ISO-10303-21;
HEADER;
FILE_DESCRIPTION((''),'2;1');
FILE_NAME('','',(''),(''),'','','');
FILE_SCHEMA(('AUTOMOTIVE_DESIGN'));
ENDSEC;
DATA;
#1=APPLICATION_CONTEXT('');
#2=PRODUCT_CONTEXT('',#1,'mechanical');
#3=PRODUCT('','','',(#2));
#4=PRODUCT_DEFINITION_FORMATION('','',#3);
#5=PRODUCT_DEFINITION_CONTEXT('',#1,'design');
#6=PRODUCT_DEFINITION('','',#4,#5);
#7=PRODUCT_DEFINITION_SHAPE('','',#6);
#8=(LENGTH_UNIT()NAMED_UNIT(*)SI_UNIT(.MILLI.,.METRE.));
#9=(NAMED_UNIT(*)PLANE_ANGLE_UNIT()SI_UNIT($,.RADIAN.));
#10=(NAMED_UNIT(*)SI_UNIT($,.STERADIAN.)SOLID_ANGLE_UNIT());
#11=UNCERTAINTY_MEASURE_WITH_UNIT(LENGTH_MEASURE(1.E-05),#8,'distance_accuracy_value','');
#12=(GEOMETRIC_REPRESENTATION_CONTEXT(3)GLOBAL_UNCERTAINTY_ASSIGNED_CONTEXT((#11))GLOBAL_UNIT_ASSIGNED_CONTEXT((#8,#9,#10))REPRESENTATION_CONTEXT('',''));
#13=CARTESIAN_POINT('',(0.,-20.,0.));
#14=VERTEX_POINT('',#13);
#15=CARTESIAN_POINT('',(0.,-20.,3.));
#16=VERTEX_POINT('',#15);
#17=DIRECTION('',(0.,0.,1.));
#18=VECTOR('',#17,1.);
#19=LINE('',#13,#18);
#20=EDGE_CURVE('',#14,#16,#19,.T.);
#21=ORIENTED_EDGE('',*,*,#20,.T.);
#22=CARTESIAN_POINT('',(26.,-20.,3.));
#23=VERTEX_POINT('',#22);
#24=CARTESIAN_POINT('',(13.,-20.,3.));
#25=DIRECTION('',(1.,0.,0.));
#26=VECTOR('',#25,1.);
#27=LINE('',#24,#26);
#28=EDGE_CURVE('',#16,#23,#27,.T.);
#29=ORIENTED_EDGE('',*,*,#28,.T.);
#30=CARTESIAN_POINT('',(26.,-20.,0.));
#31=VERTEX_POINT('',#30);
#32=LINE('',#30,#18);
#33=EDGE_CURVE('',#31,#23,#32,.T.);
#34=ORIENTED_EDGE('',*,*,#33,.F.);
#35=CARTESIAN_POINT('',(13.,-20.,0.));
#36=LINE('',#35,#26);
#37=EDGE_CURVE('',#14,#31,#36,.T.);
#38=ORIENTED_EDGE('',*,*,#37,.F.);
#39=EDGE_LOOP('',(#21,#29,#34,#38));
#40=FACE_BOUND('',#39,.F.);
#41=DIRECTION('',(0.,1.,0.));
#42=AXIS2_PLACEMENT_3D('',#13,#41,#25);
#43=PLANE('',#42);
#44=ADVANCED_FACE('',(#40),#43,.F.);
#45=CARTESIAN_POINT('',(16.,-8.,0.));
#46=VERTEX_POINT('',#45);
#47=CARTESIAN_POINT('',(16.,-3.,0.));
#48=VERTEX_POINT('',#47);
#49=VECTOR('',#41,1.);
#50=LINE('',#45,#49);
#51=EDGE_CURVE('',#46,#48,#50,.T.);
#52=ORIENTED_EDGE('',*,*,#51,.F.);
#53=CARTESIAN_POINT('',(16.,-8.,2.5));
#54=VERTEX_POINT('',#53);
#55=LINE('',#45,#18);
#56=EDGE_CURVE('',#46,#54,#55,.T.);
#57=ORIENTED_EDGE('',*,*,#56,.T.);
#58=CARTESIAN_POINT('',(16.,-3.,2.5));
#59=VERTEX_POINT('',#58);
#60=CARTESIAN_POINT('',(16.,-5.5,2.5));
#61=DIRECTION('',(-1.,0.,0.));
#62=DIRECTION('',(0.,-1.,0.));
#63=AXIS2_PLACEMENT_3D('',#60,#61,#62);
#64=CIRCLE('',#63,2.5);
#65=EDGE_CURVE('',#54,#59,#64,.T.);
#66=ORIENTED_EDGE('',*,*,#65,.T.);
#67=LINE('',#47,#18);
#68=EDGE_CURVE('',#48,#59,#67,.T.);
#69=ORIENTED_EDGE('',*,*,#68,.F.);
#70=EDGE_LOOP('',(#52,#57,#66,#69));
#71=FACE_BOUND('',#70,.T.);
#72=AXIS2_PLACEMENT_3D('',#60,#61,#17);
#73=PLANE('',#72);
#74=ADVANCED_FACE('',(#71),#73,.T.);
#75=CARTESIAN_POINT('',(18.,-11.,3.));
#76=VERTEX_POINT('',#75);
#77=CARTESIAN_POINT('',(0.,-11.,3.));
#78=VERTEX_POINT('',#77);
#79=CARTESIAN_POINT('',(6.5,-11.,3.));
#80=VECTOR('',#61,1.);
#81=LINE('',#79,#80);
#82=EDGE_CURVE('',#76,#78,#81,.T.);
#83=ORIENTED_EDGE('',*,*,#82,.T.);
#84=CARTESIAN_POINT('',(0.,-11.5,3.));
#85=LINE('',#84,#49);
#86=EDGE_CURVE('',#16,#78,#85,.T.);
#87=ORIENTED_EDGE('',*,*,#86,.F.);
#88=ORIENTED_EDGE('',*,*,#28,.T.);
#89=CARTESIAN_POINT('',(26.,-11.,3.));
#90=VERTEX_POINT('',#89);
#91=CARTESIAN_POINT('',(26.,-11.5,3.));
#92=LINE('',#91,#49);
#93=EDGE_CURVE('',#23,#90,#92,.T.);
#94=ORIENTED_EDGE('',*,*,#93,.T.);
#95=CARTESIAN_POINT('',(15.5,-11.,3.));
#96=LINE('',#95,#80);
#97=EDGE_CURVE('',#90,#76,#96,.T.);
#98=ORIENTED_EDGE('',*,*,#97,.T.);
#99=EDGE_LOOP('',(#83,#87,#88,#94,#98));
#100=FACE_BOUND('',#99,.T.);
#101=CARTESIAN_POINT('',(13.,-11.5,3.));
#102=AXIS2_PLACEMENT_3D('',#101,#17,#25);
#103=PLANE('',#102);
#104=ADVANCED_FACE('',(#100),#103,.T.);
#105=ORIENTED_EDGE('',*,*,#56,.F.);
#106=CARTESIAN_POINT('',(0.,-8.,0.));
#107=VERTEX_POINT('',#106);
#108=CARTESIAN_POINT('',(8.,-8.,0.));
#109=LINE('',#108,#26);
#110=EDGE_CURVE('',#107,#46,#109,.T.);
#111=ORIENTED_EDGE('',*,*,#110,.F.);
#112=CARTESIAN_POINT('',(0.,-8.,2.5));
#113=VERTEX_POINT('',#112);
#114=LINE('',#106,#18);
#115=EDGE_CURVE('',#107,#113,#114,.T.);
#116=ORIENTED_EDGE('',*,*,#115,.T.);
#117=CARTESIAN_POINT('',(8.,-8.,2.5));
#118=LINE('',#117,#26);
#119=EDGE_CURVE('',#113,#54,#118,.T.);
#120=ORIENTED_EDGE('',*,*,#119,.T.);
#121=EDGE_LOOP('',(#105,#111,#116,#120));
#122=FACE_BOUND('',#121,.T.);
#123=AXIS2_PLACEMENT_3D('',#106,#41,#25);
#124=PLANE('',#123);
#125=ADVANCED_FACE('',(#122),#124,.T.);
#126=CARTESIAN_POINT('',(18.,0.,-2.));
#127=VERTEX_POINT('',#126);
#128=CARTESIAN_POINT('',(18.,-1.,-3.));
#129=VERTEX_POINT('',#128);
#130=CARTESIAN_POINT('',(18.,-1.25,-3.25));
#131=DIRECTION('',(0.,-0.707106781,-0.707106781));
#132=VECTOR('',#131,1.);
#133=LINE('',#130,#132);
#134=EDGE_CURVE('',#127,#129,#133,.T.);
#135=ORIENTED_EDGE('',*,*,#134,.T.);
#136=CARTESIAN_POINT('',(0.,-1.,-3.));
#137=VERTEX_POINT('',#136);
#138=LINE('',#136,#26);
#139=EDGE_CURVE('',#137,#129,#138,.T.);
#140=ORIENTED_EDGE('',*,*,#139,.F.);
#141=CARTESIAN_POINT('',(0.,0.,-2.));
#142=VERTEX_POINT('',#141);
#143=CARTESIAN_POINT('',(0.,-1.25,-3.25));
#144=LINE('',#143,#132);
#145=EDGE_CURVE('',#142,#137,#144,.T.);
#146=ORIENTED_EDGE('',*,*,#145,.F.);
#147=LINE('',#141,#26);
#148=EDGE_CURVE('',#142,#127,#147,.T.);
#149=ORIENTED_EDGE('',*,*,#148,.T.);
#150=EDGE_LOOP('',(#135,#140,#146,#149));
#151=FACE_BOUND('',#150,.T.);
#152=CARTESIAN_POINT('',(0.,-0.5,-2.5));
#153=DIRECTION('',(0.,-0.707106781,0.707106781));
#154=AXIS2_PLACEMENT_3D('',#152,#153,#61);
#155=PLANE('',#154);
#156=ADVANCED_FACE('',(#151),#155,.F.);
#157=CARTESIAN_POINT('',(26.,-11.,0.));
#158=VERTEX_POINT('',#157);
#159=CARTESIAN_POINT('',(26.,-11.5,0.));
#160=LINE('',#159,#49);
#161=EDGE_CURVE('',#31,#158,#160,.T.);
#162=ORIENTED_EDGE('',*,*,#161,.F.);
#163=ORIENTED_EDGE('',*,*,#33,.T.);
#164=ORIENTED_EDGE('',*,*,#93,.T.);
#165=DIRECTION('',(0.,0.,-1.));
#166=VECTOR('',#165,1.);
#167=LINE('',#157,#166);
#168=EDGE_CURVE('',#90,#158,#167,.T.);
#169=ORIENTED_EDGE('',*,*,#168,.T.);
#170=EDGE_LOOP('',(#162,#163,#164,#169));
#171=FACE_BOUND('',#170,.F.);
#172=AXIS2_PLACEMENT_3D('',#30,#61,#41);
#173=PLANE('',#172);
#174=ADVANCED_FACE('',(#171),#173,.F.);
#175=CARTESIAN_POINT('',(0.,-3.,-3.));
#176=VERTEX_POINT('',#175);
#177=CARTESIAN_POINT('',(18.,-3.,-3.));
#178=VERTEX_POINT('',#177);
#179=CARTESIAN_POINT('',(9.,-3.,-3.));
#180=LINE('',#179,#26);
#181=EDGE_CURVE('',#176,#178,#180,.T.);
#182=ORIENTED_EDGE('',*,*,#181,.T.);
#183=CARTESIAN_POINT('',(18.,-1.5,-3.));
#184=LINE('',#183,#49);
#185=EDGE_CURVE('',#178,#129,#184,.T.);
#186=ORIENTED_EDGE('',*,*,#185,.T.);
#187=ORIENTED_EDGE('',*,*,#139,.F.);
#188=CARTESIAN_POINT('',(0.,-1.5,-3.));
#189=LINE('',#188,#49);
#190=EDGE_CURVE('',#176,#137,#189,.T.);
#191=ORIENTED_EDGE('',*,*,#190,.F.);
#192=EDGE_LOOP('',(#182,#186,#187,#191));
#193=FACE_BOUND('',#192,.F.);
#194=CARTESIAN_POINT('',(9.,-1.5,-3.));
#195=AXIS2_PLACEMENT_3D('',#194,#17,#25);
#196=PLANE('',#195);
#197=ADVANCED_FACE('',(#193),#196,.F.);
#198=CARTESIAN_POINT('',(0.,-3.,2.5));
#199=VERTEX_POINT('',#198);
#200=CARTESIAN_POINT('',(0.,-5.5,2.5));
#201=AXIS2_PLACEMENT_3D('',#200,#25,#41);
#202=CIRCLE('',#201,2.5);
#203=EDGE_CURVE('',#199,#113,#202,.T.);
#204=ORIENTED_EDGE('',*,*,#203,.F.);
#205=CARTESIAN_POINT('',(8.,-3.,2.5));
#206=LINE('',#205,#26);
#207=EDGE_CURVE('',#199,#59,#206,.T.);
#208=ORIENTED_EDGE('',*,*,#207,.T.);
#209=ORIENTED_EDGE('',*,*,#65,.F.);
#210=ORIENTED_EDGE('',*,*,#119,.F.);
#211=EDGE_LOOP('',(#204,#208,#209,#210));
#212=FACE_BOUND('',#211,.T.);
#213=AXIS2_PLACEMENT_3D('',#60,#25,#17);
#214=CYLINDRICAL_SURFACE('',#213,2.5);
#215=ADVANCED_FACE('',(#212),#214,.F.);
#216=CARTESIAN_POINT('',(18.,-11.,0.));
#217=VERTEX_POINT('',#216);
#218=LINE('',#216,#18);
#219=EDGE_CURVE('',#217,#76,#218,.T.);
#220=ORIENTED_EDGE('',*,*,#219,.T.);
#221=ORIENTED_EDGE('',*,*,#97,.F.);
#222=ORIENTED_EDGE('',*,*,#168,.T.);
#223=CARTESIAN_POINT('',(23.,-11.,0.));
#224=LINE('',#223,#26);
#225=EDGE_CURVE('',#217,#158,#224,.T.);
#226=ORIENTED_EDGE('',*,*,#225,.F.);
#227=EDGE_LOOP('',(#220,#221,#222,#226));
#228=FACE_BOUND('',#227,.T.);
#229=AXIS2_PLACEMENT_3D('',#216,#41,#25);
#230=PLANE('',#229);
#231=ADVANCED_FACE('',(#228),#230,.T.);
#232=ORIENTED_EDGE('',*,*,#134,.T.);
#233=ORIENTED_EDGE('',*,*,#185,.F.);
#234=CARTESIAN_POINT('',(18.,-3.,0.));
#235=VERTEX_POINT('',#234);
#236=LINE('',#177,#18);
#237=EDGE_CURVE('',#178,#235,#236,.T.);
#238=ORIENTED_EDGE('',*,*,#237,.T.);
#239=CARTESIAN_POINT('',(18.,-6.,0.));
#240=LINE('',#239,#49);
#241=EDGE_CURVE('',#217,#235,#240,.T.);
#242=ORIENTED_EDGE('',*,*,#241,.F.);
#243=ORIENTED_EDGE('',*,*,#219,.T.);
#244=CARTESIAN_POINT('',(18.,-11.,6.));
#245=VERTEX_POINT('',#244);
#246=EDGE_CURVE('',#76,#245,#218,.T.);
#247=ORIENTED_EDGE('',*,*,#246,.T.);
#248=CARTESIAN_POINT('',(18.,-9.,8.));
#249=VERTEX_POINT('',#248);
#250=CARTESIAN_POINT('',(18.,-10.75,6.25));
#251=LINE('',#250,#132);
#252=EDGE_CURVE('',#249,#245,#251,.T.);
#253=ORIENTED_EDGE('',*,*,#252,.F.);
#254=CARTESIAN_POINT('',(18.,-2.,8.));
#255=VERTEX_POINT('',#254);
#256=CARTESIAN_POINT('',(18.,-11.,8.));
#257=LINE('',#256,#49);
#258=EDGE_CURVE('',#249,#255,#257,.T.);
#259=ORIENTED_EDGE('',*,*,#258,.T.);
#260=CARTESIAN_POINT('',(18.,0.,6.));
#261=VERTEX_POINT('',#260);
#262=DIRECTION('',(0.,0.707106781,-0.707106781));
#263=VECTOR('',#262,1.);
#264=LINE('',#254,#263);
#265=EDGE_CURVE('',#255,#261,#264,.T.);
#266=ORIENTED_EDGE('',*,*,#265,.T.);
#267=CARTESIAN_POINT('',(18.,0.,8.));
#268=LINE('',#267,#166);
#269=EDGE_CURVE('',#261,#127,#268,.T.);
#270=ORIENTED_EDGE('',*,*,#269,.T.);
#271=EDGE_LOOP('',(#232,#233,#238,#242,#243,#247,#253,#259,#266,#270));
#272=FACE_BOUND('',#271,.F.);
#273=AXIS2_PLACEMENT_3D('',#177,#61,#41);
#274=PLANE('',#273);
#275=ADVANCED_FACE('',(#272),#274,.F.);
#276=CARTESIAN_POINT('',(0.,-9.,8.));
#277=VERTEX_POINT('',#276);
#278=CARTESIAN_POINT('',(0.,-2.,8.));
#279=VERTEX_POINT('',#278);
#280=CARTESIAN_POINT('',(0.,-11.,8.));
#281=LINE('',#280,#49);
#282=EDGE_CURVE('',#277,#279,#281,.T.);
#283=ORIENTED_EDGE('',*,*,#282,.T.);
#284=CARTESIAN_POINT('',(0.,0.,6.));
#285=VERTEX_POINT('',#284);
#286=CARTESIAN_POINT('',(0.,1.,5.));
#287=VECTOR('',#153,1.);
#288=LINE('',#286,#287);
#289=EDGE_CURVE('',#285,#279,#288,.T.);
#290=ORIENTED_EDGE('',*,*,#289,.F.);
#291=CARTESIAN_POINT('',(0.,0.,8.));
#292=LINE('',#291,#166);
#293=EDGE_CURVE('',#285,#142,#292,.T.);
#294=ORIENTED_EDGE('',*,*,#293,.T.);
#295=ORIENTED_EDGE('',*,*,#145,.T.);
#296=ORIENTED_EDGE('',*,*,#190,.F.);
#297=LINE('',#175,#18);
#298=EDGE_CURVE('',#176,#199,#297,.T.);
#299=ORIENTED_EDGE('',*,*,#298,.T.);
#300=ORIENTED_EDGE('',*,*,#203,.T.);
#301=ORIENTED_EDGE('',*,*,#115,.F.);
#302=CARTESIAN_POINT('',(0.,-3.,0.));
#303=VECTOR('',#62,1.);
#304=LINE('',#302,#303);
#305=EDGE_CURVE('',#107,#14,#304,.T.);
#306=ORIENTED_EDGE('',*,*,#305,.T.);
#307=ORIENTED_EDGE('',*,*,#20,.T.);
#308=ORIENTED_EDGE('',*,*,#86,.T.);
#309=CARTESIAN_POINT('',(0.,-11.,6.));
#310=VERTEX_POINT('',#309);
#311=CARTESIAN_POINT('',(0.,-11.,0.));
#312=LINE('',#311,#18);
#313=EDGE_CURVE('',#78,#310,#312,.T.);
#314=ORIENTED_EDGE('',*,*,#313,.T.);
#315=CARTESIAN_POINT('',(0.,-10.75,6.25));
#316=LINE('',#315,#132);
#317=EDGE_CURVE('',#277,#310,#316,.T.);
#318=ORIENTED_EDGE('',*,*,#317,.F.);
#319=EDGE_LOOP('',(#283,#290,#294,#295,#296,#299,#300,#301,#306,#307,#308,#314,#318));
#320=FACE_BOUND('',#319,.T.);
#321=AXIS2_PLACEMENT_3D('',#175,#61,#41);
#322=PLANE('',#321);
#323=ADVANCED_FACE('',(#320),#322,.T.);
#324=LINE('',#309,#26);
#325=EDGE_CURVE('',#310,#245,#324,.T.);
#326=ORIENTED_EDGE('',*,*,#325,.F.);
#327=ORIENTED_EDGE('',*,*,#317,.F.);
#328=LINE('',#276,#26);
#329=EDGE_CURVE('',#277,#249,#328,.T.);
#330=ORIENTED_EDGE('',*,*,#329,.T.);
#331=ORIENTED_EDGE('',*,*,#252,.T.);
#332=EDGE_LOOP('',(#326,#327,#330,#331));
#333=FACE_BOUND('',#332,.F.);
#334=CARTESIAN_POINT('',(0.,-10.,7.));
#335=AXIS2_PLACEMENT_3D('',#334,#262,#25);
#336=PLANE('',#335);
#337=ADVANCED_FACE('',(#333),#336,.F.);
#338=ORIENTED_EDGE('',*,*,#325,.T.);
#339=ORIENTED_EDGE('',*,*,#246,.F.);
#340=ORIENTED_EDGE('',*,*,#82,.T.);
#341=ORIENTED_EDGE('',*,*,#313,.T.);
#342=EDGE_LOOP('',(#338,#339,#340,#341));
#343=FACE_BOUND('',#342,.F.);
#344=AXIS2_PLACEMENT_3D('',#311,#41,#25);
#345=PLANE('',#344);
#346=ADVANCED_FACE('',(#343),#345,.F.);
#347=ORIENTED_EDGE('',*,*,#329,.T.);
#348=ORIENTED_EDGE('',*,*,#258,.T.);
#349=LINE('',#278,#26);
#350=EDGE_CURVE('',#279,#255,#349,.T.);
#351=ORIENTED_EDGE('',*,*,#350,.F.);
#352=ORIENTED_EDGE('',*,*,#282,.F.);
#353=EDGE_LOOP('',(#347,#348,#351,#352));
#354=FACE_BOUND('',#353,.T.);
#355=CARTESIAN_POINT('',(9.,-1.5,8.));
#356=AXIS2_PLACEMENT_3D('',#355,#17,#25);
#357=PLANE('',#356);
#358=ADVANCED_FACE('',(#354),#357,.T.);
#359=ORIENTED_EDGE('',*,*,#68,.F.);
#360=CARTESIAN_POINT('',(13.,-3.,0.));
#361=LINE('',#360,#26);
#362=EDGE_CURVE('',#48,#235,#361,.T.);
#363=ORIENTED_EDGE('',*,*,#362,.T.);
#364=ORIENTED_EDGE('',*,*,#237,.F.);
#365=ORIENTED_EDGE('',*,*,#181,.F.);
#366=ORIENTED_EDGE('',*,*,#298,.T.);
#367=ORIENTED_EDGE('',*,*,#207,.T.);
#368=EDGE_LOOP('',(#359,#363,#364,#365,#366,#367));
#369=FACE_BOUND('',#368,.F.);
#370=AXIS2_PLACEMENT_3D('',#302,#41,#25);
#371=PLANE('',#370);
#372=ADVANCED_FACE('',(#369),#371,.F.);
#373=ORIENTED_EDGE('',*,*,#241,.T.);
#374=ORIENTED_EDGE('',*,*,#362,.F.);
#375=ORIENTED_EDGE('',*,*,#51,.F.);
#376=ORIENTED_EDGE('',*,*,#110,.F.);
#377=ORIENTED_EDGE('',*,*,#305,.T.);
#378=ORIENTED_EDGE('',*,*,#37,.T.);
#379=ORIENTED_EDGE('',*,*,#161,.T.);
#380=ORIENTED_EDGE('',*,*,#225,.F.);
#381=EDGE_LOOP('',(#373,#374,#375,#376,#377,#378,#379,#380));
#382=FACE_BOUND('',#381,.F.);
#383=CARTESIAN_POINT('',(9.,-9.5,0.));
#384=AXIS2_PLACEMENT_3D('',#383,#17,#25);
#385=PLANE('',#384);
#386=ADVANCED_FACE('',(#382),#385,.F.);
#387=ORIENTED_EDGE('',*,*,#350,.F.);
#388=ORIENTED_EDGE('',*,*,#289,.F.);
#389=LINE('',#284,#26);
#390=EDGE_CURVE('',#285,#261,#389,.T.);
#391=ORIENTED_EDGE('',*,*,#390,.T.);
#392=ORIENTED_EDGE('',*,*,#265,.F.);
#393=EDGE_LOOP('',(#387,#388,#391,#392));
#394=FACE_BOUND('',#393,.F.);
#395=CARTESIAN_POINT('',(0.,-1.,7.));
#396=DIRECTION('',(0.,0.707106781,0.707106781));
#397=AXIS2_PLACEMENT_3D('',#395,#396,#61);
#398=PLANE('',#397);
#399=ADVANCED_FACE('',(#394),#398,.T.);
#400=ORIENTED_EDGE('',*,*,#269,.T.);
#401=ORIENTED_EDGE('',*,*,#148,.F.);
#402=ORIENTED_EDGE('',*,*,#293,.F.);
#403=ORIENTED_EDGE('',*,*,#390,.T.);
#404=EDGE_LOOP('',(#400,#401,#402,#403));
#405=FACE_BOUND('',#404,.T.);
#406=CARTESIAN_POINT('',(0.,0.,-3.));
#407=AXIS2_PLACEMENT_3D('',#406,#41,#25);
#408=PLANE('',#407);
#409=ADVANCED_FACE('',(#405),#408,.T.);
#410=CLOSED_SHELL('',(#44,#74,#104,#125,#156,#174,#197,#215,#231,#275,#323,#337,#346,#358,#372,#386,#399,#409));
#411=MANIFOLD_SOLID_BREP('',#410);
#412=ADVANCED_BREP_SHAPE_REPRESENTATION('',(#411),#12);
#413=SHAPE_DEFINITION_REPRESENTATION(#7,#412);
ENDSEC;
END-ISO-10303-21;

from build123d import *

# Parameters (mm, degrees)
BOX005_W        = 10
BOX005_H        = 10
BOX005_DEPTH    = 10
CYLINDER_R      = 2.5
CYLINDER_DEPTH  = 16
BOX004_W        = 16
BOX004_H        = 5
BOX004_DEPTH    = 2.5
BOX_W           = 18
BOX_H           = 3
BOX_DEPTH       = 11
BOX001_W        = 18
BOX001_H        = 11
BOX001_DEPTH    = 8
BOX002_W        = 18
BOX002_H        = 3
BOX002_DEPTH    = 8
BOX003_W        = 26
BOX003_H        = 17
BOX003_DEPTH    = 3
CHAMFER_SIZE    = 2
CHAMFER001_SIZE = 1


with BuildPart() as cube005:
    # Box005 → Box005 (new body)
    with BuildSketch(Plane(origin=(18, -11, 0), x_dir=(1, 0, 0), z_dir=(0, 0, 1))):
        with Locations((5, 5)):
            Rectangle(BOX005_W, BOX005_H)
    extrude(amount=BOX005_DEPTH)


with BuildPart() as cylinder:
    # Cylinder → Cylinder (new body)
    with BuildSketch(Plane(origin=(16, -5.5, 2.5), x_dir=(0, 0, 1), z_dir=(-1, 0, 0))):
        Circle(CYLINDER_R)
    extrude(amount=CYLINDER_DEPTH)


with BuildPart() as fusion:
    # Box004 → Box004 (new body)
    with BuildSketch(Plane(origin=(0, -8, 0), x_dir=(1, 0, 0), z_dir=(0, 0, 1))):
        with Locations((8, 2.5)):
            Rectangle(BOX004_W, BOX004_H)
    extrude(amount=BOX004_DEPTH)

    # Fusion: union Cylinder
    add(cylinder.part)


with BuildPart() as cube:
    # Box → Box (new body)
    with BuildSketch(Plane(origin=(0, -3, -3), x_dir=(1, 0, 0), z_dir=(0, 0, 1))):
        with Locations((9, 1.5)):
            Rectangle(BOX_W, BOX_H)
    extrude(amount=BOX_DEPTH)


with BuildPart() as cube001:
    # Box001 → Box001 (new body)
    with BuildSketch(Plane(origin=(0, -11, 0), x_dir=(1, 0, 0), z_dir=(0, 0, 1))):
        with Locations((9, 5.5)):
            Rectangle(BOX001_W, BOX001_H)
    extrude(amount=BOX001_DEPTH)


with BuildPart() as cube002:
    # Box002 → Box002 (new body)
    with BuildSketch(Plane(origin=(0, -11, 0), x_dir=(1, 0, 0), z_dir=(0, 0, 1))):
        with Locations((9, 1.5)):
            Rectangle(BOX002_W, BOX002_H)
    extrude(amount=BOX002_DEPTH)


with BuildPart() as cut001:
    # Box003 → Box003 (new body)
    with BuildSketch(Plane(origin=(0, -20, 0), x_dir=(1, 0, 0), z_dir=(0, 0, 1))):
        with Locations((13, 8.5)):
            Rectangle(BOX003_W, BOX003_H)
    extrude(amount=BOX003_DEPTH)

    # Fusion001: union Cube, Cube001, Cube002
    add(cube.part)
    add(cube001.part)
    add(cube002.part)

    # Cut: cut Fusion
    add(fusion.part, mode=Mode.SUBTRACT)

    # Chamfer
    chamfer_edges = [cut001.edges().sort_by_distance(p)[0] for p in [
        (9, -11, 8),
        (9, 0, 8),
    ]]
    chamfer(chamfer_edges, length=CHAMFER_SIZE)

    # Chamfer001
    chamfer001_edges = [cut001.edges().sort_by_distance(p)[0] for p in [
        (9, 0, -3),
    ]]
    chamfer(chamfer001_edges, length=CHAMFER001_SIZE)

    # Cut001: cut Cube005
    add(cube005.part, mode=Mode.SUBTRACT)


solid = cut001.part
